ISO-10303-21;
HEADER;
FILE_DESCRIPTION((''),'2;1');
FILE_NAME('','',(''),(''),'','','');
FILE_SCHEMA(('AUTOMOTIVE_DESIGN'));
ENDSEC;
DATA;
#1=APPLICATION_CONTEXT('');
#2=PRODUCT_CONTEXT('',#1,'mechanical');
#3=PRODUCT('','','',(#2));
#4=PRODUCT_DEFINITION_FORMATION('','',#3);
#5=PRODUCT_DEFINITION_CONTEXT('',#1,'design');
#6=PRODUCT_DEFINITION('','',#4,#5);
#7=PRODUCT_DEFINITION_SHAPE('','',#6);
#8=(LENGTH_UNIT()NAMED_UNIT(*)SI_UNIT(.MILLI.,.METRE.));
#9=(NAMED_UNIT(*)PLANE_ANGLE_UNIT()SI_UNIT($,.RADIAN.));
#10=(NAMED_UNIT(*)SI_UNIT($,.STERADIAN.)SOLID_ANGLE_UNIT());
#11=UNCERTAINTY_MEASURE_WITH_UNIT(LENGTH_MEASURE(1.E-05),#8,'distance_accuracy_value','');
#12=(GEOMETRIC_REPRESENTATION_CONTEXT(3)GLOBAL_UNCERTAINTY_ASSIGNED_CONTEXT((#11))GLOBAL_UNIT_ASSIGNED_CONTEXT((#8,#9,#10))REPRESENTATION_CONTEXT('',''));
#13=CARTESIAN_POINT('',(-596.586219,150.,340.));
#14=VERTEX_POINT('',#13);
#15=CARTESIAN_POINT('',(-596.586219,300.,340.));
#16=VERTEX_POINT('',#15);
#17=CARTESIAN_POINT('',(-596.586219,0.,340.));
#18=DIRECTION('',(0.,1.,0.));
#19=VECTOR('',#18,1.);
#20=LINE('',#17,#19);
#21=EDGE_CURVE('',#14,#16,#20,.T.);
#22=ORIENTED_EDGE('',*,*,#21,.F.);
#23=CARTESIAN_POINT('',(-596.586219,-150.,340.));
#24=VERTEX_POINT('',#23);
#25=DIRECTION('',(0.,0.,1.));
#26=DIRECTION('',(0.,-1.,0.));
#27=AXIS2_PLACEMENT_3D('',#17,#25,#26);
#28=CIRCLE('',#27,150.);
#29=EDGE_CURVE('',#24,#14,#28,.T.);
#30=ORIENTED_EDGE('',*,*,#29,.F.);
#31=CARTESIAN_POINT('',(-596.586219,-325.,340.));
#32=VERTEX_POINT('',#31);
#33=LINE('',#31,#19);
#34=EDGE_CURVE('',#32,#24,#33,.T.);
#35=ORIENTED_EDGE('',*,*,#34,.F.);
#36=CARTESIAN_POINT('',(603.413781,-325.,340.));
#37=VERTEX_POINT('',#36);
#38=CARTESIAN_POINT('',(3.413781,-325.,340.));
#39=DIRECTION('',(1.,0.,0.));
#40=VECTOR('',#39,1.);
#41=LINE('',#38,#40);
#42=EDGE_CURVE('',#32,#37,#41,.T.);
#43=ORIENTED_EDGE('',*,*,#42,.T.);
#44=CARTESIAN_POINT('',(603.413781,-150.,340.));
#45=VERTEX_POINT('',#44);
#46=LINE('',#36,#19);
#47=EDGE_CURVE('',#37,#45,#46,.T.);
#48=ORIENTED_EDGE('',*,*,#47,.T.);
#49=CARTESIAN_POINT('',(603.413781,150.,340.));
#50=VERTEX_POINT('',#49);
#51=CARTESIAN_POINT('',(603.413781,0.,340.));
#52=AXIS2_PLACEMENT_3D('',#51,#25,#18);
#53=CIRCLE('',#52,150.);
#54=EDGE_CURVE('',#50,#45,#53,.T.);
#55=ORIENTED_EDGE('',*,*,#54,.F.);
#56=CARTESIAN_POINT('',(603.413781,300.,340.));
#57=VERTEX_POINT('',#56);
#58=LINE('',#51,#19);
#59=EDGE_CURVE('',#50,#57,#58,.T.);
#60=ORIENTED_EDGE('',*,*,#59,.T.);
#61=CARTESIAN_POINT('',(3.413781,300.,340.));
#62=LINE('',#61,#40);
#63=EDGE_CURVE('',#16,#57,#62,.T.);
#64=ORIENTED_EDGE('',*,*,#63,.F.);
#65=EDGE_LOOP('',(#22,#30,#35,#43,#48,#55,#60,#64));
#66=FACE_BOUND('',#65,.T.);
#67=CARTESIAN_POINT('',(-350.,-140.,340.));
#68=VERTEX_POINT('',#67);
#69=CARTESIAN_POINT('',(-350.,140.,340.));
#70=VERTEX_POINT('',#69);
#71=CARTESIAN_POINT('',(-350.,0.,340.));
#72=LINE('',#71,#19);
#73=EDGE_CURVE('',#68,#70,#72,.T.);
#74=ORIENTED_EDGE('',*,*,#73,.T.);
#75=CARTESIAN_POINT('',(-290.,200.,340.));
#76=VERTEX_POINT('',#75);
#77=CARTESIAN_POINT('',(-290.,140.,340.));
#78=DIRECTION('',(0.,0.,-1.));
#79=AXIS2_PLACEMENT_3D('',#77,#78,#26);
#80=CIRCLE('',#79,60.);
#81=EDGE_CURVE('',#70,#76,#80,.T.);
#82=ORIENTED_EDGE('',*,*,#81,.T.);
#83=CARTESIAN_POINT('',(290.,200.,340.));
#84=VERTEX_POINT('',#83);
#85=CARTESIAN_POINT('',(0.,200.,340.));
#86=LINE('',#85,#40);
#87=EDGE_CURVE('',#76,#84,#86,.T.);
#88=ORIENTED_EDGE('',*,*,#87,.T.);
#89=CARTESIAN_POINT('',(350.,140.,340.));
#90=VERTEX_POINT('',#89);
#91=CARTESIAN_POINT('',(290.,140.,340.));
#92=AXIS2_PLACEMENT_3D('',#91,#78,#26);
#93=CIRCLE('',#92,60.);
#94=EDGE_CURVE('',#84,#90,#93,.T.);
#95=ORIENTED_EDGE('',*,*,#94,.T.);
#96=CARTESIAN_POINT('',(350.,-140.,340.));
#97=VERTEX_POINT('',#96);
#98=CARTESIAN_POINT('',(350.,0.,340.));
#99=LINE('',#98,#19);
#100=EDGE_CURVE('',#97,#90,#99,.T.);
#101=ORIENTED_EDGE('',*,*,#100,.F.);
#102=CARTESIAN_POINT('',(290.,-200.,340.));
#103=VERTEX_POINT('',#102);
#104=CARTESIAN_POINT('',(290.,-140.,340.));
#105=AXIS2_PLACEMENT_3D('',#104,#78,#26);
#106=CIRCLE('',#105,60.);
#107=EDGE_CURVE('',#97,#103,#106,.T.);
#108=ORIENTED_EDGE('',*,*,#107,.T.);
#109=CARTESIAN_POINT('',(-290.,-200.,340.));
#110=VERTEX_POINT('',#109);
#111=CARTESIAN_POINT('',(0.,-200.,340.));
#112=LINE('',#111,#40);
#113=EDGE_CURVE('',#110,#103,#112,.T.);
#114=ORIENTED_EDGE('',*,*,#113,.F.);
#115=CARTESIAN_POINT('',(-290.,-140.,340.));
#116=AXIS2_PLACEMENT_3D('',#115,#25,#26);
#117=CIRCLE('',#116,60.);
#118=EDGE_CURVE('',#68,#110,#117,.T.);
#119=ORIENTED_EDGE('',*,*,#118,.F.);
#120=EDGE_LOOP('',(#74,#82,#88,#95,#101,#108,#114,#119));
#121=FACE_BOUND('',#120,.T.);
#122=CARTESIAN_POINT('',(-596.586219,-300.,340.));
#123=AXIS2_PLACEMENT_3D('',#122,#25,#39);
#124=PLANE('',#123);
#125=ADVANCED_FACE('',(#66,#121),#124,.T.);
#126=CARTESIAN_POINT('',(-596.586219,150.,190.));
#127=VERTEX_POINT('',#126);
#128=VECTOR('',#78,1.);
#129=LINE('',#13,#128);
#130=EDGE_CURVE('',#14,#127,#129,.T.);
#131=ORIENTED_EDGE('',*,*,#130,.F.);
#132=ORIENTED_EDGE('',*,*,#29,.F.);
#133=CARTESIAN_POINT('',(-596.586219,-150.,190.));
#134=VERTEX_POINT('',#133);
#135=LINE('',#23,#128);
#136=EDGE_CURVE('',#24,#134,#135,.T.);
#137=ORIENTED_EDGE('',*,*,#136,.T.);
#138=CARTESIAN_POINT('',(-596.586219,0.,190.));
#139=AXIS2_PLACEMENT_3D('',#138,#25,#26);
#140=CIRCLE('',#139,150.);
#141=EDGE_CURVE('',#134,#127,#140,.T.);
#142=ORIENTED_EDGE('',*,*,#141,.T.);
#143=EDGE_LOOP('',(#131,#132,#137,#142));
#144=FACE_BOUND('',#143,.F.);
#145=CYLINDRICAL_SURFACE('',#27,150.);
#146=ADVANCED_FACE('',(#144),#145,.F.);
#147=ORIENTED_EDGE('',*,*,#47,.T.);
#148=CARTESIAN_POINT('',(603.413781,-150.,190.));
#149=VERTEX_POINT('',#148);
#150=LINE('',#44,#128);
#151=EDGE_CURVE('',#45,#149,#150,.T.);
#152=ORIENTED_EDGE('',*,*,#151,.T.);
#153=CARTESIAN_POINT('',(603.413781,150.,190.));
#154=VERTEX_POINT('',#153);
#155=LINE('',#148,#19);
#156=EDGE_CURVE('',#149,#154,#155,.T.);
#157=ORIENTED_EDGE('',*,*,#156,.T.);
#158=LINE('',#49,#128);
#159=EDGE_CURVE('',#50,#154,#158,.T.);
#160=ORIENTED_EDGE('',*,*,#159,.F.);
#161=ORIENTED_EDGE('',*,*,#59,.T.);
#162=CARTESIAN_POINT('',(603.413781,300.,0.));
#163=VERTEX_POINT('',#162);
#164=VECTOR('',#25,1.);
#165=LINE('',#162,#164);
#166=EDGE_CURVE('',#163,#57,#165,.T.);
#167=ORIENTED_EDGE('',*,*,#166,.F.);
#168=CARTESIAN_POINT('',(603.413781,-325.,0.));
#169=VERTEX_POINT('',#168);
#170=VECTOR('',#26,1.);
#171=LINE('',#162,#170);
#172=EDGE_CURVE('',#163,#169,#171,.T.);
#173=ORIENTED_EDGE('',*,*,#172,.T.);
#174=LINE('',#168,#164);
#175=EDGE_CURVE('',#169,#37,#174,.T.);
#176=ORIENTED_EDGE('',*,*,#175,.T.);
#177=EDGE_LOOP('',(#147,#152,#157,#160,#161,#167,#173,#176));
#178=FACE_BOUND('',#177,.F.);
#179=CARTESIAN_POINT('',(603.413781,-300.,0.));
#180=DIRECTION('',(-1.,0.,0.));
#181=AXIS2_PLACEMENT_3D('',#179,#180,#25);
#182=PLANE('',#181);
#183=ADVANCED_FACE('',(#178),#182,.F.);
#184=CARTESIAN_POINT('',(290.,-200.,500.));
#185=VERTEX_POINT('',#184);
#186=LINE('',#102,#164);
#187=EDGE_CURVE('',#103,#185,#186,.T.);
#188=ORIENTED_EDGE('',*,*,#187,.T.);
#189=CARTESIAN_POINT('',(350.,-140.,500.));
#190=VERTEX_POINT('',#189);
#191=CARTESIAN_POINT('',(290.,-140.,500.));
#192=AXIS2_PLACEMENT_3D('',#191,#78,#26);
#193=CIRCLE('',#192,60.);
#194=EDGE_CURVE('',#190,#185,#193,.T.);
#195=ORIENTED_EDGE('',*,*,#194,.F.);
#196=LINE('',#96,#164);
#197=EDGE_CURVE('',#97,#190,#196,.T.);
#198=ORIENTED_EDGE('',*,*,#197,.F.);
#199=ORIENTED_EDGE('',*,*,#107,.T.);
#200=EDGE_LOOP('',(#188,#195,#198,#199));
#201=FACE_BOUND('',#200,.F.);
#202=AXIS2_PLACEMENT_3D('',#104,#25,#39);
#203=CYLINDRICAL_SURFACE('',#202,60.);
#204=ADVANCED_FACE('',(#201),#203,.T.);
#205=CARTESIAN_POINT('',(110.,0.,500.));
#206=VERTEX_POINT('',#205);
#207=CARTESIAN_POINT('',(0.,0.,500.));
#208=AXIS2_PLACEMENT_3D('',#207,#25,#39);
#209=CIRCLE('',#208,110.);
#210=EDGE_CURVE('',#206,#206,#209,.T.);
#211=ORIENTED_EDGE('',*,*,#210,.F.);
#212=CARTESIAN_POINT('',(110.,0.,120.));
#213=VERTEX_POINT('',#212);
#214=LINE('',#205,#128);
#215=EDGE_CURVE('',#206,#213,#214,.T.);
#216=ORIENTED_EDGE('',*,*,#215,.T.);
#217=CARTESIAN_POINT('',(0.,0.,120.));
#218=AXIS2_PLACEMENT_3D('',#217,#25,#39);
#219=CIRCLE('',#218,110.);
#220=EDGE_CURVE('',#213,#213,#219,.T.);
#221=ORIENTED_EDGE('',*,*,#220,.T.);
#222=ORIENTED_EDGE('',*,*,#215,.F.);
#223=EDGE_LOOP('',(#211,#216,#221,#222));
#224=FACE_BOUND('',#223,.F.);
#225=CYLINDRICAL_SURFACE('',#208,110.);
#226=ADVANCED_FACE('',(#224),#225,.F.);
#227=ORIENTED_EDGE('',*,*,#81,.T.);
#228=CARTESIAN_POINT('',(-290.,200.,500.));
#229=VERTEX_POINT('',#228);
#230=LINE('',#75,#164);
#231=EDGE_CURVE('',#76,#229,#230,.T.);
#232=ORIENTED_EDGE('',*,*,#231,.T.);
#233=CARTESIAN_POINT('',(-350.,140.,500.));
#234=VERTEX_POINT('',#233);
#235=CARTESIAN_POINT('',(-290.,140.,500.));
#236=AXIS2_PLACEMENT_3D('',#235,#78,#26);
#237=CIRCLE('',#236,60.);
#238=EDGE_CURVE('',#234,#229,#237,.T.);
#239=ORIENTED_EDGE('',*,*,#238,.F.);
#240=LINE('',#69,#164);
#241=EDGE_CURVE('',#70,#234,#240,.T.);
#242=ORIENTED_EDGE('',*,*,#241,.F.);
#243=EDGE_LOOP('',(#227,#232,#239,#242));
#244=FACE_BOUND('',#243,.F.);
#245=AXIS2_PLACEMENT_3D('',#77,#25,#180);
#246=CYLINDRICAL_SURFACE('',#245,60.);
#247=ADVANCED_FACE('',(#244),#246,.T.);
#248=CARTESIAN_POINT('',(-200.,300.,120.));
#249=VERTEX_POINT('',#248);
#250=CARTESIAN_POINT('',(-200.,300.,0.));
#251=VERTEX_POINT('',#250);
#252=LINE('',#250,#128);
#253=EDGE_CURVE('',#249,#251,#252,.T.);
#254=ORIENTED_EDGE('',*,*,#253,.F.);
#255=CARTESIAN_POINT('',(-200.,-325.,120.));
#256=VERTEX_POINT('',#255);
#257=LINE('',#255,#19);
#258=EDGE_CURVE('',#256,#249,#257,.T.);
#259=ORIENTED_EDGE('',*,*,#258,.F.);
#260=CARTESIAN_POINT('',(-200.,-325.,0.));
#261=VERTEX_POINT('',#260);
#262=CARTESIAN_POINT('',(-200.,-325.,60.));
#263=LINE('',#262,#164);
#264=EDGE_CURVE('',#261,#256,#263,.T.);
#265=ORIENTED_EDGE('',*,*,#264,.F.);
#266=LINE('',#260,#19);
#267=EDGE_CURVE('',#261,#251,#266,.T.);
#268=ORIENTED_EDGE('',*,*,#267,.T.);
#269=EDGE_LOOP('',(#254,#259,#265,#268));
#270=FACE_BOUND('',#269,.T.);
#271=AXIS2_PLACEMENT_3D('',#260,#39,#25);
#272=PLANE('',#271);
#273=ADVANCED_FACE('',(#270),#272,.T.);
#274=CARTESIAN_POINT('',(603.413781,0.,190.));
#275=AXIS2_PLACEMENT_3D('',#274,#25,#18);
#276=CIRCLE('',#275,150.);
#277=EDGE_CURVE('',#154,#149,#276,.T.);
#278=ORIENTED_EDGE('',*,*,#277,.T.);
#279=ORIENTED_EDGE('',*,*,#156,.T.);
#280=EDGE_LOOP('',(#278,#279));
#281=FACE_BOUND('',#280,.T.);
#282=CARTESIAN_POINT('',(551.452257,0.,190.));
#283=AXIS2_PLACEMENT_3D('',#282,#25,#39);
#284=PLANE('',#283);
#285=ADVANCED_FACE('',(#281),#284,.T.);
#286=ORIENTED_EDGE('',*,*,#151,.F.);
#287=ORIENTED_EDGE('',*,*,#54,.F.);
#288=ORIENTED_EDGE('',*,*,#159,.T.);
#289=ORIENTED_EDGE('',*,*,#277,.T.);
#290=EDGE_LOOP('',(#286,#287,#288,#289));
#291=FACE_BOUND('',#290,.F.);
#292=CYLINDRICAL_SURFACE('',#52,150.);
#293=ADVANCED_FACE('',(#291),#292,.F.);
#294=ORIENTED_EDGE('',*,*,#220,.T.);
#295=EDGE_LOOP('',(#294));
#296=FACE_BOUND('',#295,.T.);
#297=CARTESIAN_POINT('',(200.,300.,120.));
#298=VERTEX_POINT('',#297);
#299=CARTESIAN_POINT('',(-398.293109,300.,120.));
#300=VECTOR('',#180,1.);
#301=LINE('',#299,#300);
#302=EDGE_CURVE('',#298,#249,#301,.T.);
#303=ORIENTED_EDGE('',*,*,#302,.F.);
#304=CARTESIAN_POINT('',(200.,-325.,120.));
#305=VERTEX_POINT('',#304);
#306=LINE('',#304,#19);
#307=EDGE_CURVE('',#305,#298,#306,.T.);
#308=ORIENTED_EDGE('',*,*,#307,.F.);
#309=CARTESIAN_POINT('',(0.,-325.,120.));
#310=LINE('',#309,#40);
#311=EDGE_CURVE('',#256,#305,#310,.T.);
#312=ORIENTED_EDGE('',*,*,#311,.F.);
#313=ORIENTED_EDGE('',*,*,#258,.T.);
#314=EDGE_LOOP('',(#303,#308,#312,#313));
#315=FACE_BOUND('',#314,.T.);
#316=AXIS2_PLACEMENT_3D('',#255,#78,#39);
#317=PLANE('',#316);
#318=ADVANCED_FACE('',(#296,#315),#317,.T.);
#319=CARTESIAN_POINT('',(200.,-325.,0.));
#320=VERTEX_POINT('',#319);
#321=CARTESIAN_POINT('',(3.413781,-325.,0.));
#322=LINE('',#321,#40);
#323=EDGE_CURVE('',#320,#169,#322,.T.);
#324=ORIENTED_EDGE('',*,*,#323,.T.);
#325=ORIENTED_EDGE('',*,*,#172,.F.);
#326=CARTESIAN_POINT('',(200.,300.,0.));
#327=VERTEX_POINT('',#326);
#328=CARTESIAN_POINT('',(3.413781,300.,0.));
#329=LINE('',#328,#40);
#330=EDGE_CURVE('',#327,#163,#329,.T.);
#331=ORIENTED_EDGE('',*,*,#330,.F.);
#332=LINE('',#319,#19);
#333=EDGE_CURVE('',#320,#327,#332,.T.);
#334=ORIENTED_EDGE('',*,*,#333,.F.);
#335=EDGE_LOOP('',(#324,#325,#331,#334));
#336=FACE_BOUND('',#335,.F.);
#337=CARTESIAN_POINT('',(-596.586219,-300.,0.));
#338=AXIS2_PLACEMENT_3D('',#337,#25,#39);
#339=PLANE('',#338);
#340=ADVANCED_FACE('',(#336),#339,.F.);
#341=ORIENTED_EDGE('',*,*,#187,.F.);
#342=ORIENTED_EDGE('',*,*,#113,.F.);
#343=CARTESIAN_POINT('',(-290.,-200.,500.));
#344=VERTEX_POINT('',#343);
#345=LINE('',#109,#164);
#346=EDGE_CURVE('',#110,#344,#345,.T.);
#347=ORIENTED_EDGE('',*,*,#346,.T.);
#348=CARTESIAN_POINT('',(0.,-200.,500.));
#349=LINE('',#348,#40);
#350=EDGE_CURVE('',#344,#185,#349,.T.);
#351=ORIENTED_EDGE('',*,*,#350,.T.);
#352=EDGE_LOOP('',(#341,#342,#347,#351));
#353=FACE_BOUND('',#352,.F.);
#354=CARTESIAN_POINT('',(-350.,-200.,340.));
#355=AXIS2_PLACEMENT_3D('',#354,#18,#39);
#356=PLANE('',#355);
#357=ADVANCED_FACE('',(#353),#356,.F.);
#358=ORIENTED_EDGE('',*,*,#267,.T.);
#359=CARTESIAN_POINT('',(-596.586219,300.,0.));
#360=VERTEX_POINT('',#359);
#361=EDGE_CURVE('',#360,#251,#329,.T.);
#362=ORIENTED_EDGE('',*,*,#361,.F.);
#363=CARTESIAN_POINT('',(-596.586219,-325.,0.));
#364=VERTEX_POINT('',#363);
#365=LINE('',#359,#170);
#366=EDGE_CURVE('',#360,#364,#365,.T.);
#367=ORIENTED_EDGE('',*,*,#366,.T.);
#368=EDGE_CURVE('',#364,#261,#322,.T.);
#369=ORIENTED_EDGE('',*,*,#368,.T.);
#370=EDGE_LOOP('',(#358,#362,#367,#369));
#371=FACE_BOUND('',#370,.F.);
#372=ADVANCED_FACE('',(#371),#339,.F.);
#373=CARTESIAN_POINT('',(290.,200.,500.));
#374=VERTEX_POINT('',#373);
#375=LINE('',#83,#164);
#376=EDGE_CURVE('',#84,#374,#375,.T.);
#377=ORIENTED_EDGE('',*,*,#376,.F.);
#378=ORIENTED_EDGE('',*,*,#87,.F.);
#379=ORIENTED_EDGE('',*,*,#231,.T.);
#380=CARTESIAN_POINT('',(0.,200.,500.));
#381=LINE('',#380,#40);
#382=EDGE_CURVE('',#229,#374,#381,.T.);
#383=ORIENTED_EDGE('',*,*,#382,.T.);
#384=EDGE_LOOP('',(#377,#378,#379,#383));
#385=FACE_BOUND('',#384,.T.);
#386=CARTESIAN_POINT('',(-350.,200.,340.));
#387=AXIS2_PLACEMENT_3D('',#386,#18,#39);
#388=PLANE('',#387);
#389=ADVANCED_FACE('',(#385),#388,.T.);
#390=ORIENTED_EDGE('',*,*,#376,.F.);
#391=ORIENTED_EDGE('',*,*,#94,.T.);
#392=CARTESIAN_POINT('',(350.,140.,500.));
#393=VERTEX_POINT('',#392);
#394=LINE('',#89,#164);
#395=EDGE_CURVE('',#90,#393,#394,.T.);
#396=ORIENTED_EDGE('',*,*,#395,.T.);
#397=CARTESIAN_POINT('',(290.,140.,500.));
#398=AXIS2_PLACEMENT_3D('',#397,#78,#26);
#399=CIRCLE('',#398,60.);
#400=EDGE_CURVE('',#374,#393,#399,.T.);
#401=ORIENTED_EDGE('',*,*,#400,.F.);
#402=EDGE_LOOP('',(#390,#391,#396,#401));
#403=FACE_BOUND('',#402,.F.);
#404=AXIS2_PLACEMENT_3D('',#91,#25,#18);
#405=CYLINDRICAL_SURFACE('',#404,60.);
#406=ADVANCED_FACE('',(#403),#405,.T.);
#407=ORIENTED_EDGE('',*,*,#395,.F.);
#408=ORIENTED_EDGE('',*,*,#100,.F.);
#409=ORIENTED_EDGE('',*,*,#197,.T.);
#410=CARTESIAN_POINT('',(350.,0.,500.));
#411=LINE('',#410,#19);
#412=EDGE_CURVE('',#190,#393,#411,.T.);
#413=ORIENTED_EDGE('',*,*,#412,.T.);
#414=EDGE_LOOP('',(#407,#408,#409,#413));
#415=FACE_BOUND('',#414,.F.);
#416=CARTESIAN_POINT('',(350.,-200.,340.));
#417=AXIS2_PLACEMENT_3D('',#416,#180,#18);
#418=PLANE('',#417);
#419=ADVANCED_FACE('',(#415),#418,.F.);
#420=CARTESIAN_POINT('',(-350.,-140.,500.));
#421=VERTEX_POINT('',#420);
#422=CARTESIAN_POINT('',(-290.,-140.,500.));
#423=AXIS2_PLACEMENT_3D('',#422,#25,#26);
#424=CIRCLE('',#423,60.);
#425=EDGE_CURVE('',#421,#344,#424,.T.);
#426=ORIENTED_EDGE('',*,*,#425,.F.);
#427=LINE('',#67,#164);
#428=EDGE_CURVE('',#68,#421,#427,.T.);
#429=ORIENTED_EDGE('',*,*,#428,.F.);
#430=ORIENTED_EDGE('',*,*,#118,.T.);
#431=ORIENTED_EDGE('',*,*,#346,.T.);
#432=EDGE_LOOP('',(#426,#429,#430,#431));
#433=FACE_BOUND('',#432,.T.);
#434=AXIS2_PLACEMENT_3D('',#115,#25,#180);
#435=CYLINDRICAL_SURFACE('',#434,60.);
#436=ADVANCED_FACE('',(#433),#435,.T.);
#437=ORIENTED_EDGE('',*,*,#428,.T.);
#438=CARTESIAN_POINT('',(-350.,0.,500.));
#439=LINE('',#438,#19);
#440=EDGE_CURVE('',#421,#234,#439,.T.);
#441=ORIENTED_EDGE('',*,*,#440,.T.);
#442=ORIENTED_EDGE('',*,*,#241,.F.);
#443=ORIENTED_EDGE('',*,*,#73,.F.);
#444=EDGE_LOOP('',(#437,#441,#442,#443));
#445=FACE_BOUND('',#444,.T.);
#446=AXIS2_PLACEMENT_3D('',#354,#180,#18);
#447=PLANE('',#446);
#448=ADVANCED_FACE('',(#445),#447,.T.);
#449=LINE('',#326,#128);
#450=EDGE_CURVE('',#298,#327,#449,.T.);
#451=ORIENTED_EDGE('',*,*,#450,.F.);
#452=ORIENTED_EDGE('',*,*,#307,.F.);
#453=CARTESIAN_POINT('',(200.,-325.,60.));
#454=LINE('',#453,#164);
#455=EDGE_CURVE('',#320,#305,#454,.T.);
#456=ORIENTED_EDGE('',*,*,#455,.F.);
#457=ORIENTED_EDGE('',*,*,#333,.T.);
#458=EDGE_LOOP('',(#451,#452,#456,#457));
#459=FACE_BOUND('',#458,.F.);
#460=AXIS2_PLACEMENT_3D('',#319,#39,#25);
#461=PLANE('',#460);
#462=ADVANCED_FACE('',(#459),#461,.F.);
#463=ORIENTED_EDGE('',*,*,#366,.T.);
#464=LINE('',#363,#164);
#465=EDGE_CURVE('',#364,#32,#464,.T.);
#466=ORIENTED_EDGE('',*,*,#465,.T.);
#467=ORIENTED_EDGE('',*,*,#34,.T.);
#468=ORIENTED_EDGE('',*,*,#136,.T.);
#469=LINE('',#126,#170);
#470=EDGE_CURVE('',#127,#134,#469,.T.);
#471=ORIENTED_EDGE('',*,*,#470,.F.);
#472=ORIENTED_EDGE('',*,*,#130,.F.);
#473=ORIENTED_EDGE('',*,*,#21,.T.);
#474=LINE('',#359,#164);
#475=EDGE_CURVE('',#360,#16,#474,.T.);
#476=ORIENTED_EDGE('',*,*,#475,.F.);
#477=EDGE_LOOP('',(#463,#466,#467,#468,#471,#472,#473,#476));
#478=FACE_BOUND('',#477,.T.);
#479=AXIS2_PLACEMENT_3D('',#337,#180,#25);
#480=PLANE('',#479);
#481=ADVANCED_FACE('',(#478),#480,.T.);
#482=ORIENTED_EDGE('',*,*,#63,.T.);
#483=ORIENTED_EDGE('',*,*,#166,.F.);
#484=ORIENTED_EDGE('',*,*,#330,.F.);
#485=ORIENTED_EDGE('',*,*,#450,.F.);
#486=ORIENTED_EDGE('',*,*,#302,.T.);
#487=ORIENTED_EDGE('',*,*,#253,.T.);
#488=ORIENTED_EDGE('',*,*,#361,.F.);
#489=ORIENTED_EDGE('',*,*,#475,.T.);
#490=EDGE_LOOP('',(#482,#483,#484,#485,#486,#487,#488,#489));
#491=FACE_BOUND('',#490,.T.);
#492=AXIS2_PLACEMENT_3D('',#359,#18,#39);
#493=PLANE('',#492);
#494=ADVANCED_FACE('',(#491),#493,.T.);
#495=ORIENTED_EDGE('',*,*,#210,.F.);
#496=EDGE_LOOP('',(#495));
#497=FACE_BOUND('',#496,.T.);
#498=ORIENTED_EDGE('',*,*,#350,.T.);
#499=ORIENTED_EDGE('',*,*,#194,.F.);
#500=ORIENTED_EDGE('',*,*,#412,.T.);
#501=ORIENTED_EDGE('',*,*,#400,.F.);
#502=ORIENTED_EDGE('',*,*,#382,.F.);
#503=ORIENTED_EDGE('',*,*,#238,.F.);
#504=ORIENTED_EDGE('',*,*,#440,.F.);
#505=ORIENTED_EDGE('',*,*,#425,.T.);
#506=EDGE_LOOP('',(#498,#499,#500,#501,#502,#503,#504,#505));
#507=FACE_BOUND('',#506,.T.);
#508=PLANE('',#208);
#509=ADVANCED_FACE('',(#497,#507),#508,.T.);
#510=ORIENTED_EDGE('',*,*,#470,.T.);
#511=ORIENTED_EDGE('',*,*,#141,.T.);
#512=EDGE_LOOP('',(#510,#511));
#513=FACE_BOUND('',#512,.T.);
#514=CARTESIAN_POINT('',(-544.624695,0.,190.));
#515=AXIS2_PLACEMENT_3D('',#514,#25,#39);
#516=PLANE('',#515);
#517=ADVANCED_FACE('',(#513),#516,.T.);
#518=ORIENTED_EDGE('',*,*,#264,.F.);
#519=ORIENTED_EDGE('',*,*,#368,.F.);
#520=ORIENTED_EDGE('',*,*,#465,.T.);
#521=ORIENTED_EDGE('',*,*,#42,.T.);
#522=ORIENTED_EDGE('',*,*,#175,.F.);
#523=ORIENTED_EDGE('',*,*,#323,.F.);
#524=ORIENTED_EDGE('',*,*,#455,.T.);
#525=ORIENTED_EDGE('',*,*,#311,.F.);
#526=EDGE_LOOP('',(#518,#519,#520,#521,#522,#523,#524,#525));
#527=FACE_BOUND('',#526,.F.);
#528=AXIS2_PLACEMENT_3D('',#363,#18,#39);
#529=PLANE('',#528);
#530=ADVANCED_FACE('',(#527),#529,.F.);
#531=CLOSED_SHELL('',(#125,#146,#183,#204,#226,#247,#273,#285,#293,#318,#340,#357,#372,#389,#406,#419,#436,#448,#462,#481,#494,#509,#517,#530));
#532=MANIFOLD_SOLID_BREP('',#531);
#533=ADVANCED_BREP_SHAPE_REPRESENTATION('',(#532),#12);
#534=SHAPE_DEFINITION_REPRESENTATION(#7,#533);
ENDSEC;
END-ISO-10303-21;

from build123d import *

# Parameters (mm, degrees)
F0_W      = 1200
F0_H      = 600
F1_DEPTH  = 340
F3_DEPTH  = 150
F5_DEPTH  = 150
F6_W      = 700
F6_H      = 400
F7_DEPTH  = 160
F8_R      = 110
F9_DEPTH  = 500.001
F10_DEPTH = 25
F11_W     = 400
F11_H     = 120
F12_DEPTH = 625.001
F13_R     = 60


with BuildPart() as f1:
    # F0 (on Top) → F1 (new body)
    with BuildSketch(Plane.XY):
        with Locations((3.413781058, 0)):
            Rectangle(F0_W, F0_H)
    extrude(amount=F1_DEPTH)

    # F2 (on face) → F3 (cut)
    with BuildSketch(Plane.XY.offset(340)):
        with BuildLine():
            ThreePointArc((-596.586218942, -150), (-490.520201764, -106.066017178), (-446.586218942, 0))
            ThreePointArc((-446.586218942, 0), (-490.520201764, 106.066017178), (-596.586218942, 150))
            Line((-596.586218942, 150), (-596.586218942, -150))
        make_face()
    extrude(amount=-F3_DEPTH, mode=Mode.SUBTRACT)

    # F4 (on face) → F5 (cut)
    with BuildSketch(Plane.XY.offset(340)):
        with BuildLine():
            Line((603.413781058, -150), (603.413781058, 150))
            ThreePointArc((603.413781058, 150), (453.413781058, 0), (603.413781058, -150))
        make_face()
    extrude(amount=-F5_DEPTH, mode=Mode.SUBTRACT)

    # F6 (on face) → F7 (join)
    with BuildSketch(Plane.XY.offset(340)):
        Rectangle(F6_W, F6_H)
    extrude(amount=F7_DEPTH)

    # F8 (on face) → F9 (cut, through all)
    with BuildSketch(Plane.XY.offset(500)):
        Circle(F8_R)
    extrude(amount=-F9_DEPTH, mode=Mode.SUBTRACT)

    # F10 (add): a face of the model
    f10_faces = [f1.faces().sort_by_distance(p)[0] for p in [
        (3.413781058, -300, 170),
    ]]
    extrude(f10_faces, amount=F10_DEPTH)

    # F11 (on face) → F12 (cut, through all)
    with BuildSketch(Plane.XZ.offset(325)):
        with Locations((0, 60)):
            Rectangle(F11_W, F11_H)
    extrude(amount=-F12_DEPTH, mode=Mode.SUBTRACT)

    # F13
    f13_edges = [f1.edges().sort_by_distance(p)[0] for p in [
        (-350, -200, 420),
        (350, -200, 420),
        (350, 200, 420),
        (-350, 200, 420),
    ]]
    fillet(f13_edges, radius=F13_R)


solid = f1.part
